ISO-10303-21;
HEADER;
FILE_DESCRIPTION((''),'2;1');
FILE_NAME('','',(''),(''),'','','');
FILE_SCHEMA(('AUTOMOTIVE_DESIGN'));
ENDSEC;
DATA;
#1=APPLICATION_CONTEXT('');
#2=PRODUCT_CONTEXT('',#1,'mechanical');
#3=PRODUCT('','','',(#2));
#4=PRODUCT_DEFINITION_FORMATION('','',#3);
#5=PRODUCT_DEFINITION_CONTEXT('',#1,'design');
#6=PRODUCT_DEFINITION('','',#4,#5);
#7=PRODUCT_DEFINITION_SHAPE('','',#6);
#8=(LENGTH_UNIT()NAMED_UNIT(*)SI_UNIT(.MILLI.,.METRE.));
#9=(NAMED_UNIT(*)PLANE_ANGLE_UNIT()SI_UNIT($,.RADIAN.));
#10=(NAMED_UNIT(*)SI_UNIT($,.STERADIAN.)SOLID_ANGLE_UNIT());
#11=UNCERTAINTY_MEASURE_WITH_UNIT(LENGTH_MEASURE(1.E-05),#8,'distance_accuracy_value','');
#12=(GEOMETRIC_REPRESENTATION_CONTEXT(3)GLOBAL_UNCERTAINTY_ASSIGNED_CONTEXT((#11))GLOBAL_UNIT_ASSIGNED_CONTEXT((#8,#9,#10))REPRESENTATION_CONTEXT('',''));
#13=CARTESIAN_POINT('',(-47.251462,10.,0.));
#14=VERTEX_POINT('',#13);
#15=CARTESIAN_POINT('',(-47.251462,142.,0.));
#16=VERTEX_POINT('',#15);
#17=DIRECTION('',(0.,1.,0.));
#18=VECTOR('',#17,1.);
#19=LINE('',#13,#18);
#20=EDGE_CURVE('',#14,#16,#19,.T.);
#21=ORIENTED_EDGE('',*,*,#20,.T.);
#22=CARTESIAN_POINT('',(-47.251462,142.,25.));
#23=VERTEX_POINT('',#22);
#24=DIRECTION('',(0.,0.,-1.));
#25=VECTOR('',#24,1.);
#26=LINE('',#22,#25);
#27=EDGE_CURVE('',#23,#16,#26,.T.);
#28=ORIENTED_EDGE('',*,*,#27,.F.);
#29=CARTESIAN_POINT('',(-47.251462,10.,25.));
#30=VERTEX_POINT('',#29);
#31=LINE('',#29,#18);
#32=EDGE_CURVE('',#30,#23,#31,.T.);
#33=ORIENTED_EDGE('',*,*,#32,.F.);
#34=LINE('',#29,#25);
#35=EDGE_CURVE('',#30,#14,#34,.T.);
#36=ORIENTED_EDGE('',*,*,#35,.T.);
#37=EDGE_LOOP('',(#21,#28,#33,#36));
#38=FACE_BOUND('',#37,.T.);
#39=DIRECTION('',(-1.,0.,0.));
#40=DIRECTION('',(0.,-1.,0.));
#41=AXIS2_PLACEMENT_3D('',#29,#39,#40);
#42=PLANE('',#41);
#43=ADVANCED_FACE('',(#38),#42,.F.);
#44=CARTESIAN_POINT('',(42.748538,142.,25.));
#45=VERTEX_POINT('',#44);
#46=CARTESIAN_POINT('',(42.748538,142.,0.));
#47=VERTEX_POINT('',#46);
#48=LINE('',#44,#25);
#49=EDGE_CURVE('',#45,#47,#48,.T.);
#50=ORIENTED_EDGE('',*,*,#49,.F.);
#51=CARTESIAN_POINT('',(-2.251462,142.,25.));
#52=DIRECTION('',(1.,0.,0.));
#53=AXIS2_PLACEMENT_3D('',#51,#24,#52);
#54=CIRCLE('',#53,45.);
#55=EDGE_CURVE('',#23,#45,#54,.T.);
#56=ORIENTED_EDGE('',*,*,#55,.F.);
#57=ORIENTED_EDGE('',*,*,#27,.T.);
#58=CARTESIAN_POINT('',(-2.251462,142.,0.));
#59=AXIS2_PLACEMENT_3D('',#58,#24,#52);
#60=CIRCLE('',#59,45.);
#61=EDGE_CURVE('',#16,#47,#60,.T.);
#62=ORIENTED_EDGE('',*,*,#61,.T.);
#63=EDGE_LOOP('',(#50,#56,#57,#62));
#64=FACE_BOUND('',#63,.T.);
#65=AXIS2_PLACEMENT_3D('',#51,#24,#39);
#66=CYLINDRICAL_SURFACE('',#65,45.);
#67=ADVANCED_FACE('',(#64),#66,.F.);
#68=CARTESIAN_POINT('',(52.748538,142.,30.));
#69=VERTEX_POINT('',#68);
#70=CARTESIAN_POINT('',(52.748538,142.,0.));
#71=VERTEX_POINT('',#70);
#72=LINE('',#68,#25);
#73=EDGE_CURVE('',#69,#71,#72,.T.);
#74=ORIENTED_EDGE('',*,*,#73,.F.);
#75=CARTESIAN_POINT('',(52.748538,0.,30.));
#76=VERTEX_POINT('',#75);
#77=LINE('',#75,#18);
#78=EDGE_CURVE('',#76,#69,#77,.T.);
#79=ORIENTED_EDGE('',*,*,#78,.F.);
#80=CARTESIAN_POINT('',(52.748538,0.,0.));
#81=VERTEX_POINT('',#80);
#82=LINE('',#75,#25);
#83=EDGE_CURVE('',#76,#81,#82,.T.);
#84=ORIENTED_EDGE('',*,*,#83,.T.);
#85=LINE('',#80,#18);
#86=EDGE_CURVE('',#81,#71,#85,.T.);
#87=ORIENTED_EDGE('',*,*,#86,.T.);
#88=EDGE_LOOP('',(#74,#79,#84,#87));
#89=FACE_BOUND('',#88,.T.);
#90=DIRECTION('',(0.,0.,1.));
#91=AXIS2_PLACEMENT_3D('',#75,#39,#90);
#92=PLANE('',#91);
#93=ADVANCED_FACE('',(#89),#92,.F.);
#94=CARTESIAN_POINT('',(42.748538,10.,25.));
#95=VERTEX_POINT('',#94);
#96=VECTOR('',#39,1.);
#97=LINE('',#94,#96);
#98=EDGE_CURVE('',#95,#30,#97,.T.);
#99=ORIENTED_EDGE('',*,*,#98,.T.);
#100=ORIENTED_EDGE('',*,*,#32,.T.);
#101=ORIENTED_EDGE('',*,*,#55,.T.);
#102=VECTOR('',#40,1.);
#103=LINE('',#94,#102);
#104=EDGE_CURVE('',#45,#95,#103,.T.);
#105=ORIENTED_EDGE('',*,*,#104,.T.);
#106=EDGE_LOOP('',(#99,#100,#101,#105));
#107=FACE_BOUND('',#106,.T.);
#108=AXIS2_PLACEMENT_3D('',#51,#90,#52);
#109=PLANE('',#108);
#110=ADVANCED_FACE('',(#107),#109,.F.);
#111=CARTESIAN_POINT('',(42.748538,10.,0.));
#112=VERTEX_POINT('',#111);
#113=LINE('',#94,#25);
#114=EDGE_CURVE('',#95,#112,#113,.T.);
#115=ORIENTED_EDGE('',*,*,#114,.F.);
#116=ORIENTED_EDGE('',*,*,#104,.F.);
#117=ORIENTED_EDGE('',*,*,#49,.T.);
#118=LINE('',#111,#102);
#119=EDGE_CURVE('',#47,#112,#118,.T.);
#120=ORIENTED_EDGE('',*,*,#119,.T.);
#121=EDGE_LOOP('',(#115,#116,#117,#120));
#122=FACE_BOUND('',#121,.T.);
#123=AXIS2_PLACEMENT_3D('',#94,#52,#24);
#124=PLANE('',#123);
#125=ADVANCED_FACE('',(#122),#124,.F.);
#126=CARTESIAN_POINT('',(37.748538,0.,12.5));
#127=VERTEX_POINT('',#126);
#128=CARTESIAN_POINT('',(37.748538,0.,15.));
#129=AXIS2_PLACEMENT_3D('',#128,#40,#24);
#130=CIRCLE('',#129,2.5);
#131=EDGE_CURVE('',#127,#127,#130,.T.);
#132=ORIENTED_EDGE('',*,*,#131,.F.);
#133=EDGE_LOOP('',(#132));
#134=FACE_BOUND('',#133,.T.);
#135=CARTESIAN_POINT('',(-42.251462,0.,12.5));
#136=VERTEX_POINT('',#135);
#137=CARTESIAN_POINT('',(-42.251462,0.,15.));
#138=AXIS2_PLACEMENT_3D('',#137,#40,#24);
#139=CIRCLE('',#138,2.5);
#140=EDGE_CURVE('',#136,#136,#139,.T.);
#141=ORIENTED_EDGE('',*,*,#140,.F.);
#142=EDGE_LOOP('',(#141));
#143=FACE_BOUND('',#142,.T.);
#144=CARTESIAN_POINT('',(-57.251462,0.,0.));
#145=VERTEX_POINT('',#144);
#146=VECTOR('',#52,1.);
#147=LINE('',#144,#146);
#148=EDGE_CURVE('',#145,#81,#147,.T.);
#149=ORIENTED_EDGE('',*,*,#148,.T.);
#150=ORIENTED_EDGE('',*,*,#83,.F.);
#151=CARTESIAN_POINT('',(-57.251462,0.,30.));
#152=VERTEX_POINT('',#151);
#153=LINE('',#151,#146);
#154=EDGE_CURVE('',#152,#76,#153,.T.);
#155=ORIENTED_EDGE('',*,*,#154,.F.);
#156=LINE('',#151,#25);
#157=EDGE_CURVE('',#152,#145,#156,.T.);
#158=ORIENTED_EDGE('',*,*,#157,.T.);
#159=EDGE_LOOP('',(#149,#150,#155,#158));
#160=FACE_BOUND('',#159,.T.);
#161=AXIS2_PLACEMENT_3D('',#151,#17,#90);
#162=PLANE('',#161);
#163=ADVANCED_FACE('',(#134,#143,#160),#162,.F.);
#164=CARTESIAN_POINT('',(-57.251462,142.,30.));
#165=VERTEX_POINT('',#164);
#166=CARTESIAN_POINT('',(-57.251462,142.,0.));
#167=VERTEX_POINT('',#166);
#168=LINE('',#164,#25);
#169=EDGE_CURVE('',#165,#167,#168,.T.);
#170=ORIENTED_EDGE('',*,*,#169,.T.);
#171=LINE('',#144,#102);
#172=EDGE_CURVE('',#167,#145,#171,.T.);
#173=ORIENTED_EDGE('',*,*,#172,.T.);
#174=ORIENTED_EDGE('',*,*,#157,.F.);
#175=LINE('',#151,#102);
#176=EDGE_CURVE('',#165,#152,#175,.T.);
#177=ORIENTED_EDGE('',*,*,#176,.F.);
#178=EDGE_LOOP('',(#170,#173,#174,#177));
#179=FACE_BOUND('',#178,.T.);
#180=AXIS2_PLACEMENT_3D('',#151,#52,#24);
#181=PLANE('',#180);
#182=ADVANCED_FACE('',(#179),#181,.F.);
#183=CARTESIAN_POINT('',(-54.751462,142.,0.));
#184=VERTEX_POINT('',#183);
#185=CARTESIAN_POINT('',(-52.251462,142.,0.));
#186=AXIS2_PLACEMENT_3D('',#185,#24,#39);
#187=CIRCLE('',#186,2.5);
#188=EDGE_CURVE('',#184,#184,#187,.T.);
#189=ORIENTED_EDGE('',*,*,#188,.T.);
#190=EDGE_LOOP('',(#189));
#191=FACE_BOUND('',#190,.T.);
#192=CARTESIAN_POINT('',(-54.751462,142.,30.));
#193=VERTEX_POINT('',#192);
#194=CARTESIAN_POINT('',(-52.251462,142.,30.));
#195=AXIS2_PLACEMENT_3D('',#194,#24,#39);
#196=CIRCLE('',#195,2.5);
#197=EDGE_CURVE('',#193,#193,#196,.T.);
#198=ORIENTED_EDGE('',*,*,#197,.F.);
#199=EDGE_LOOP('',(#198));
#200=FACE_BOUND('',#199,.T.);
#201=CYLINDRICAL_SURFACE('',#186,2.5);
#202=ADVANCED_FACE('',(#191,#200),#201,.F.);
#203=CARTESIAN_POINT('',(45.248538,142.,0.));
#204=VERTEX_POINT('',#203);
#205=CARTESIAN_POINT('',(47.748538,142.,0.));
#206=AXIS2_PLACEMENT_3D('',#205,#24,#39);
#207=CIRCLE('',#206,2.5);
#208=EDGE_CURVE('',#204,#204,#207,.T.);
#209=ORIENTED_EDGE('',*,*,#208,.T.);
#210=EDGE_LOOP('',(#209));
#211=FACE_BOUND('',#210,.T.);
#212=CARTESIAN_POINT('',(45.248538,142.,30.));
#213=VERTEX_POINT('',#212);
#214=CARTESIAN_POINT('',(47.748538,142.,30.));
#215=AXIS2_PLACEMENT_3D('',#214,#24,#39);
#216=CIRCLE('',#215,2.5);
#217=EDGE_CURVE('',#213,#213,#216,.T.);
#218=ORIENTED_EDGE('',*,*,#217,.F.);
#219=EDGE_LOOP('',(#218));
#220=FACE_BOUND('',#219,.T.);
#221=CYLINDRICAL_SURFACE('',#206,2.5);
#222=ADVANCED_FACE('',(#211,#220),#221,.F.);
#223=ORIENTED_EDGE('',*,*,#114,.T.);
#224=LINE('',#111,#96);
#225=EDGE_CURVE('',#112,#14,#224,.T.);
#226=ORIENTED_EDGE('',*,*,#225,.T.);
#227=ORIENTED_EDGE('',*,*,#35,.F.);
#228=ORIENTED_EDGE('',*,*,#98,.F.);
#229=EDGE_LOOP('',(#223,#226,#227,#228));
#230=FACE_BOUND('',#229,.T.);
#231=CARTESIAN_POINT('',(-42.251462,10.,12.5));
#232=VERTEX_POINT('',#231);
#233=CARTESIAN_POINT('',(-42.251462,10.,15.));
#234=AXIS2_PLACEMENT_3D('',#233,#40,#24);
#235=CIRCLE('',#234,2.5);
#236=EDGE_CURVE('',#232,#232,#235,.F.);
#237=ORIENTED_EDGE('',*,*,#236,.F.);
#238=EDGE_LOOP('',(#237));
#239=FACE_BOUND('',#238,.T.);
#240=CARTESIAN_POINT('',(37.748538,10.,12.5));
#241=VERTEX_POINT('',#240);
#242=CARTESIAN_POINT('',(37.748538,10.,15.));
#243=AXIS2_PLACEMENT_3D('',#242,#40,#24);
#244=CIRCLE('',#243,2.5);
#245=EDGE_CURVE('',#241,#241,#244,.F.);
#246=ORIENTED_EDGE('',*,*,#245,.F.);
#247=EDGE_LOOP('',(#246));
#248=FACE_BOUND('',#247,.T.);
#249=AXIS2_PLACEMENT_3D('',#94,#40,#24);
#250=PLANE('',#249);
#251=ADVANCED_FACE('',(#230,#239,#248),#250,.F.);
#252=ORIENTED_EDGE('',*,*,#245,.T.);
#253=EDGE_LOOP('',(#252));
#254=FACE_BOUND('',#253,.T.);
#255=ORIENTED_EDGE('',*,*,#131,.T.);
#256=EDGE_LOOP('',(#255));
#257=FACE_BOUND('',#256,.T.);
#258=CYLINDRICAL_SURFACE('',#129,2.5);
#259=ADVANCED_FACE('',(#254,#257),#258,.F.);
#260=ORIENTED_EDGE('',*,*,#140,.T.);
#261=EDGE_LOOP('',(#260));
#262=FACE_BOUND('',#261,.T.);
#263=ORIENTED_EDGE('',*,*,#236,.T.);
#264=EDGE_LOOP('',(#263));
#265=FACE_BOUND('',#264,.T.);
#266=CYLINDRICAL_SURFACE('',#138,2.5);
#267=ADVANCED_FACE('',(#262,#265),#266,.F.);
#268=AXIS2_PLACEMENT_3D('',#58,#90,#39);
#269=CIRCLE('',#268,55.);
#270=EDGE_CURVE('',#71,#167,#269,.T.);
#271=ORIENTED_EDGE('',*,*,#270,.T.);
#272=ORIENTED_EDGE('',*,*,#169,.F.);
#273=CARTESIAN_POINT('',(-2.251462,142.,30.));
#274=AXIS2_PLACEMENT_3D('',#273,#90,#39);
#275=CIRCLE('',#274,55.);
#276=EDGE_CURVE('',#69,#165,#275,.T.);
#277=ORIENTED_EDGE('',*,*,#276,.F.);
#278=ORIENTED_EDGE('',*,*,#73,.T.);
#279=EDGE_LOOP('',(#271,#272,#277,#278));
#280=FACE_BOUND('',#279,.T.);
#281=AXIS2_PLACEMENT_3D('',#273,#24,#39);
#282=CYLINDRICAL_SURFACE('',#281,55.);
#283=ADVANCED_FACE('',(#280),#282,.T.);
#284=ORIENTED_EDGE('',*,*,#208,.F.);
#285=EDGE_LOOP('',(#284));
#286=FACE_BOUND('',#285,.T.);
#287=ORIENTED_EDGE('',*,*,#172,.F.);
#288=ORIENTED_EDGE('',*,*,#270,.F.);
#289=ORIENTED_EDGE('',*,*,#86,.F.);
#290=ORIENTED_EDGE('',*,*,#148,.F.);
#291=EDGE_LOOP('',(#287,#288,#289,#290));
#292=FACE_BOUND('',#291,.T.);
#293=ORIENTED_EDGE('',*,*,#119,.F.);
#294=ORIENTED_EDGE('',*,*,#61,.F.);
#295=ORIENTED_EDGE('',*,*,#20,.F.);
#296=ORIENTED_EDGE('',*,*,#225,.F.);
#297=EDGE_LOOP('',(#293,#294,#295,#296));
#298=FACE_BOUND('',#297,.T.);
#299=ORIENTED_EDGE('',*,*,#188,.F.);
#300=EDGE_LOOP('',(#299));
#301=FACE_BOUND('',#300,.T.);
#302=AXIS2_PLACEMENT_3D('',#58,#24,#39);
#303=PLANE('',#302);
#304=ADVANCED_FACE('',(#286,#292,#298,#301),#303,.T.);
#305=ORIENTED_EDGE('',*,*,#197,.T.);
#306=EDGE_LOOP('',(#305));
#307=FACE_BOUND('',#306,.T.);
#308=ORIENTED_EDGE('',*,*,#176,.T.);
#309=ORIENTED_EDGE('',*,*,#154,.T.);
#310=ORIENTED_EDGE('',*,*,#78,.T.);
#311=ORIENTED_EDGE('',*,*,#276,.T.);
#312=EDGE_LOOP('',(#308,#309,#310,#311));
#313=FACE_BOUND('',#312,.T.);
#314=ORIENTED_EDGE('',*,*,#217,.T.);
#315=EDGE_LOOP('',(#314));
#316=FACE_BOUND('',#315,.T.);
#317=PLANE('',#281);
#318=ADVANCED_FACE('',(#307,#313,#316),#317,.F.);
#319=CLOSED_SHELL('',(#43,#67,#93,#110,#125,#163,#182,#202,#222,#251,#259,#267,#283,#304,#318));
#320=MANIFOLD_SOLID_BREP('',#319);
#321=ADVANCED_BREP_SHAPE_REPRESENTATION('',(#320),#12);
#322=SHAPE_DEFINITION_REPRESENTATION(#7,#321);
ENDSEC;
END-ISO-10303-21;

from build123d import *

# Parameters (mm, degrees)
BOSS_EXTRUDE1_DEPTH        = 30
CUT_EXTRUDE1_DEPTH         = 25
F_5_0MM_DOWEL_HOLE2_REACH  = 221.224
F_5_0MM_DOWEL_HOLE2_BORE_R = 2.5
F_5_0MM_DOWEL_HOLE4_D      = 5


with BuildPart() as part:
    # Sketch1 → Boss-Extrude1 (new body)
    with BuildSketch(Plane.XY):
        with BuildLine():
            Line((-57.251461988, 0), (52.748538012, 0))
            Line((52.748538012, 0), (52.748538012, 142))
            ThreePointArc((52.748538012, 142), (-2.251461988, 197), (-57.251461988, 142))
            Line((-57.251461988, 142), (-57.251461988, 0))
        make_face()
    extrude(amount=BOSS_EXTRUDE1_DEPTH)

    # Sketch8 → Cut-Extrude1 (cut)
    with BuildSketch(Plane(origin=(0, 0, 0), x_dir=(-1, 0, 0), z_dir=(0, 0, -1))):
        with BuildLine():
            Line((-42.748538012, 10), (47.251461988, 10))
            Line((47.251461988, 10), (47.251461988, 142))
            ThreePointArc((47.251461988, 142), (2.251461988, 187), (-42.748538012, 142))
            Line((-42.748538012, 142), (-42.748538012, 10))
        make_face()
    extrude(amount=-CUT_EXTRUDE1_DEPTH, mode=Mode.SUBTRACT)

    # Ø5.0mm Dowel Hole2 bore (on position points) → Ø5.0mm Dowel Hole2 (cut, up to next)
    with BuildSketch(Plane(origin=(-42.251461988, 0, 15), x_dir=(0, 0, -1), z_dir=(0, -1, 0)), mode=Mode.PRIVATE) as f_5_0mm_dowel_hole2_sk1:
        Circle(F_5_0MM_DOWEL_HOLE2_BORE_R)
    f_5_0mm_dowel_hole2_tool1 = extrude(f_5_0mm_dowel_hole2_sk1.sketch, amount=-F_5_0MM_DOWEL_HOLE2_REACH, mode=Mode.PRIVATE) & part.part
    # Ø5.0mm Dowel Hole2 bore (on position points) → Ø5.0mm Dowel Hole2 (cut, up to next)
    with BuildSketch(Plane(origin=(-42.251461988, 0, 15), x_dir=(0, 0, -1), z_dir=(0, -1, 0)), mode=Mode.PRIVATE) as f_5_0mm_dowel_hole2_sk2:
        with Locations((0, 80)):
            Circle(F_5_0MM_DOWEL_HOLE2_BORE_R)
    f_5_0mm_dowel_hole2_tool2 = extrude(f_5_0mm_dowel_hole2_sk2.sketch, amount=-F_5_0MM_DOWEL_HOLE2_REACH, mode=Mode.PRIVATE) & part.part
    add(f_5_0mm_dowel_hole2_tool1.solids().sort_by_distance((-42.251462, 0, 15))[0], mode=Mode.SUBTRACT)
    add(f_5_0mm_dowel_hole2_tool2.solids().sort_by_distance((37.748538, 0, 15))[0], mode=Mode.SUBTRACT)

    # Ø5.0mm Dowel Hole4 (through all)
    with Locations(Plane(origin=(47.748538012, 142, 0), x_dir=(-1, 0, 0), z_dir=(0, 0, -1))):
        with Locations((0, 0), (100, 0)):
            Hole(F_5_0MM_DOWEL_HOLE4_D / 2)


solid = part.part
